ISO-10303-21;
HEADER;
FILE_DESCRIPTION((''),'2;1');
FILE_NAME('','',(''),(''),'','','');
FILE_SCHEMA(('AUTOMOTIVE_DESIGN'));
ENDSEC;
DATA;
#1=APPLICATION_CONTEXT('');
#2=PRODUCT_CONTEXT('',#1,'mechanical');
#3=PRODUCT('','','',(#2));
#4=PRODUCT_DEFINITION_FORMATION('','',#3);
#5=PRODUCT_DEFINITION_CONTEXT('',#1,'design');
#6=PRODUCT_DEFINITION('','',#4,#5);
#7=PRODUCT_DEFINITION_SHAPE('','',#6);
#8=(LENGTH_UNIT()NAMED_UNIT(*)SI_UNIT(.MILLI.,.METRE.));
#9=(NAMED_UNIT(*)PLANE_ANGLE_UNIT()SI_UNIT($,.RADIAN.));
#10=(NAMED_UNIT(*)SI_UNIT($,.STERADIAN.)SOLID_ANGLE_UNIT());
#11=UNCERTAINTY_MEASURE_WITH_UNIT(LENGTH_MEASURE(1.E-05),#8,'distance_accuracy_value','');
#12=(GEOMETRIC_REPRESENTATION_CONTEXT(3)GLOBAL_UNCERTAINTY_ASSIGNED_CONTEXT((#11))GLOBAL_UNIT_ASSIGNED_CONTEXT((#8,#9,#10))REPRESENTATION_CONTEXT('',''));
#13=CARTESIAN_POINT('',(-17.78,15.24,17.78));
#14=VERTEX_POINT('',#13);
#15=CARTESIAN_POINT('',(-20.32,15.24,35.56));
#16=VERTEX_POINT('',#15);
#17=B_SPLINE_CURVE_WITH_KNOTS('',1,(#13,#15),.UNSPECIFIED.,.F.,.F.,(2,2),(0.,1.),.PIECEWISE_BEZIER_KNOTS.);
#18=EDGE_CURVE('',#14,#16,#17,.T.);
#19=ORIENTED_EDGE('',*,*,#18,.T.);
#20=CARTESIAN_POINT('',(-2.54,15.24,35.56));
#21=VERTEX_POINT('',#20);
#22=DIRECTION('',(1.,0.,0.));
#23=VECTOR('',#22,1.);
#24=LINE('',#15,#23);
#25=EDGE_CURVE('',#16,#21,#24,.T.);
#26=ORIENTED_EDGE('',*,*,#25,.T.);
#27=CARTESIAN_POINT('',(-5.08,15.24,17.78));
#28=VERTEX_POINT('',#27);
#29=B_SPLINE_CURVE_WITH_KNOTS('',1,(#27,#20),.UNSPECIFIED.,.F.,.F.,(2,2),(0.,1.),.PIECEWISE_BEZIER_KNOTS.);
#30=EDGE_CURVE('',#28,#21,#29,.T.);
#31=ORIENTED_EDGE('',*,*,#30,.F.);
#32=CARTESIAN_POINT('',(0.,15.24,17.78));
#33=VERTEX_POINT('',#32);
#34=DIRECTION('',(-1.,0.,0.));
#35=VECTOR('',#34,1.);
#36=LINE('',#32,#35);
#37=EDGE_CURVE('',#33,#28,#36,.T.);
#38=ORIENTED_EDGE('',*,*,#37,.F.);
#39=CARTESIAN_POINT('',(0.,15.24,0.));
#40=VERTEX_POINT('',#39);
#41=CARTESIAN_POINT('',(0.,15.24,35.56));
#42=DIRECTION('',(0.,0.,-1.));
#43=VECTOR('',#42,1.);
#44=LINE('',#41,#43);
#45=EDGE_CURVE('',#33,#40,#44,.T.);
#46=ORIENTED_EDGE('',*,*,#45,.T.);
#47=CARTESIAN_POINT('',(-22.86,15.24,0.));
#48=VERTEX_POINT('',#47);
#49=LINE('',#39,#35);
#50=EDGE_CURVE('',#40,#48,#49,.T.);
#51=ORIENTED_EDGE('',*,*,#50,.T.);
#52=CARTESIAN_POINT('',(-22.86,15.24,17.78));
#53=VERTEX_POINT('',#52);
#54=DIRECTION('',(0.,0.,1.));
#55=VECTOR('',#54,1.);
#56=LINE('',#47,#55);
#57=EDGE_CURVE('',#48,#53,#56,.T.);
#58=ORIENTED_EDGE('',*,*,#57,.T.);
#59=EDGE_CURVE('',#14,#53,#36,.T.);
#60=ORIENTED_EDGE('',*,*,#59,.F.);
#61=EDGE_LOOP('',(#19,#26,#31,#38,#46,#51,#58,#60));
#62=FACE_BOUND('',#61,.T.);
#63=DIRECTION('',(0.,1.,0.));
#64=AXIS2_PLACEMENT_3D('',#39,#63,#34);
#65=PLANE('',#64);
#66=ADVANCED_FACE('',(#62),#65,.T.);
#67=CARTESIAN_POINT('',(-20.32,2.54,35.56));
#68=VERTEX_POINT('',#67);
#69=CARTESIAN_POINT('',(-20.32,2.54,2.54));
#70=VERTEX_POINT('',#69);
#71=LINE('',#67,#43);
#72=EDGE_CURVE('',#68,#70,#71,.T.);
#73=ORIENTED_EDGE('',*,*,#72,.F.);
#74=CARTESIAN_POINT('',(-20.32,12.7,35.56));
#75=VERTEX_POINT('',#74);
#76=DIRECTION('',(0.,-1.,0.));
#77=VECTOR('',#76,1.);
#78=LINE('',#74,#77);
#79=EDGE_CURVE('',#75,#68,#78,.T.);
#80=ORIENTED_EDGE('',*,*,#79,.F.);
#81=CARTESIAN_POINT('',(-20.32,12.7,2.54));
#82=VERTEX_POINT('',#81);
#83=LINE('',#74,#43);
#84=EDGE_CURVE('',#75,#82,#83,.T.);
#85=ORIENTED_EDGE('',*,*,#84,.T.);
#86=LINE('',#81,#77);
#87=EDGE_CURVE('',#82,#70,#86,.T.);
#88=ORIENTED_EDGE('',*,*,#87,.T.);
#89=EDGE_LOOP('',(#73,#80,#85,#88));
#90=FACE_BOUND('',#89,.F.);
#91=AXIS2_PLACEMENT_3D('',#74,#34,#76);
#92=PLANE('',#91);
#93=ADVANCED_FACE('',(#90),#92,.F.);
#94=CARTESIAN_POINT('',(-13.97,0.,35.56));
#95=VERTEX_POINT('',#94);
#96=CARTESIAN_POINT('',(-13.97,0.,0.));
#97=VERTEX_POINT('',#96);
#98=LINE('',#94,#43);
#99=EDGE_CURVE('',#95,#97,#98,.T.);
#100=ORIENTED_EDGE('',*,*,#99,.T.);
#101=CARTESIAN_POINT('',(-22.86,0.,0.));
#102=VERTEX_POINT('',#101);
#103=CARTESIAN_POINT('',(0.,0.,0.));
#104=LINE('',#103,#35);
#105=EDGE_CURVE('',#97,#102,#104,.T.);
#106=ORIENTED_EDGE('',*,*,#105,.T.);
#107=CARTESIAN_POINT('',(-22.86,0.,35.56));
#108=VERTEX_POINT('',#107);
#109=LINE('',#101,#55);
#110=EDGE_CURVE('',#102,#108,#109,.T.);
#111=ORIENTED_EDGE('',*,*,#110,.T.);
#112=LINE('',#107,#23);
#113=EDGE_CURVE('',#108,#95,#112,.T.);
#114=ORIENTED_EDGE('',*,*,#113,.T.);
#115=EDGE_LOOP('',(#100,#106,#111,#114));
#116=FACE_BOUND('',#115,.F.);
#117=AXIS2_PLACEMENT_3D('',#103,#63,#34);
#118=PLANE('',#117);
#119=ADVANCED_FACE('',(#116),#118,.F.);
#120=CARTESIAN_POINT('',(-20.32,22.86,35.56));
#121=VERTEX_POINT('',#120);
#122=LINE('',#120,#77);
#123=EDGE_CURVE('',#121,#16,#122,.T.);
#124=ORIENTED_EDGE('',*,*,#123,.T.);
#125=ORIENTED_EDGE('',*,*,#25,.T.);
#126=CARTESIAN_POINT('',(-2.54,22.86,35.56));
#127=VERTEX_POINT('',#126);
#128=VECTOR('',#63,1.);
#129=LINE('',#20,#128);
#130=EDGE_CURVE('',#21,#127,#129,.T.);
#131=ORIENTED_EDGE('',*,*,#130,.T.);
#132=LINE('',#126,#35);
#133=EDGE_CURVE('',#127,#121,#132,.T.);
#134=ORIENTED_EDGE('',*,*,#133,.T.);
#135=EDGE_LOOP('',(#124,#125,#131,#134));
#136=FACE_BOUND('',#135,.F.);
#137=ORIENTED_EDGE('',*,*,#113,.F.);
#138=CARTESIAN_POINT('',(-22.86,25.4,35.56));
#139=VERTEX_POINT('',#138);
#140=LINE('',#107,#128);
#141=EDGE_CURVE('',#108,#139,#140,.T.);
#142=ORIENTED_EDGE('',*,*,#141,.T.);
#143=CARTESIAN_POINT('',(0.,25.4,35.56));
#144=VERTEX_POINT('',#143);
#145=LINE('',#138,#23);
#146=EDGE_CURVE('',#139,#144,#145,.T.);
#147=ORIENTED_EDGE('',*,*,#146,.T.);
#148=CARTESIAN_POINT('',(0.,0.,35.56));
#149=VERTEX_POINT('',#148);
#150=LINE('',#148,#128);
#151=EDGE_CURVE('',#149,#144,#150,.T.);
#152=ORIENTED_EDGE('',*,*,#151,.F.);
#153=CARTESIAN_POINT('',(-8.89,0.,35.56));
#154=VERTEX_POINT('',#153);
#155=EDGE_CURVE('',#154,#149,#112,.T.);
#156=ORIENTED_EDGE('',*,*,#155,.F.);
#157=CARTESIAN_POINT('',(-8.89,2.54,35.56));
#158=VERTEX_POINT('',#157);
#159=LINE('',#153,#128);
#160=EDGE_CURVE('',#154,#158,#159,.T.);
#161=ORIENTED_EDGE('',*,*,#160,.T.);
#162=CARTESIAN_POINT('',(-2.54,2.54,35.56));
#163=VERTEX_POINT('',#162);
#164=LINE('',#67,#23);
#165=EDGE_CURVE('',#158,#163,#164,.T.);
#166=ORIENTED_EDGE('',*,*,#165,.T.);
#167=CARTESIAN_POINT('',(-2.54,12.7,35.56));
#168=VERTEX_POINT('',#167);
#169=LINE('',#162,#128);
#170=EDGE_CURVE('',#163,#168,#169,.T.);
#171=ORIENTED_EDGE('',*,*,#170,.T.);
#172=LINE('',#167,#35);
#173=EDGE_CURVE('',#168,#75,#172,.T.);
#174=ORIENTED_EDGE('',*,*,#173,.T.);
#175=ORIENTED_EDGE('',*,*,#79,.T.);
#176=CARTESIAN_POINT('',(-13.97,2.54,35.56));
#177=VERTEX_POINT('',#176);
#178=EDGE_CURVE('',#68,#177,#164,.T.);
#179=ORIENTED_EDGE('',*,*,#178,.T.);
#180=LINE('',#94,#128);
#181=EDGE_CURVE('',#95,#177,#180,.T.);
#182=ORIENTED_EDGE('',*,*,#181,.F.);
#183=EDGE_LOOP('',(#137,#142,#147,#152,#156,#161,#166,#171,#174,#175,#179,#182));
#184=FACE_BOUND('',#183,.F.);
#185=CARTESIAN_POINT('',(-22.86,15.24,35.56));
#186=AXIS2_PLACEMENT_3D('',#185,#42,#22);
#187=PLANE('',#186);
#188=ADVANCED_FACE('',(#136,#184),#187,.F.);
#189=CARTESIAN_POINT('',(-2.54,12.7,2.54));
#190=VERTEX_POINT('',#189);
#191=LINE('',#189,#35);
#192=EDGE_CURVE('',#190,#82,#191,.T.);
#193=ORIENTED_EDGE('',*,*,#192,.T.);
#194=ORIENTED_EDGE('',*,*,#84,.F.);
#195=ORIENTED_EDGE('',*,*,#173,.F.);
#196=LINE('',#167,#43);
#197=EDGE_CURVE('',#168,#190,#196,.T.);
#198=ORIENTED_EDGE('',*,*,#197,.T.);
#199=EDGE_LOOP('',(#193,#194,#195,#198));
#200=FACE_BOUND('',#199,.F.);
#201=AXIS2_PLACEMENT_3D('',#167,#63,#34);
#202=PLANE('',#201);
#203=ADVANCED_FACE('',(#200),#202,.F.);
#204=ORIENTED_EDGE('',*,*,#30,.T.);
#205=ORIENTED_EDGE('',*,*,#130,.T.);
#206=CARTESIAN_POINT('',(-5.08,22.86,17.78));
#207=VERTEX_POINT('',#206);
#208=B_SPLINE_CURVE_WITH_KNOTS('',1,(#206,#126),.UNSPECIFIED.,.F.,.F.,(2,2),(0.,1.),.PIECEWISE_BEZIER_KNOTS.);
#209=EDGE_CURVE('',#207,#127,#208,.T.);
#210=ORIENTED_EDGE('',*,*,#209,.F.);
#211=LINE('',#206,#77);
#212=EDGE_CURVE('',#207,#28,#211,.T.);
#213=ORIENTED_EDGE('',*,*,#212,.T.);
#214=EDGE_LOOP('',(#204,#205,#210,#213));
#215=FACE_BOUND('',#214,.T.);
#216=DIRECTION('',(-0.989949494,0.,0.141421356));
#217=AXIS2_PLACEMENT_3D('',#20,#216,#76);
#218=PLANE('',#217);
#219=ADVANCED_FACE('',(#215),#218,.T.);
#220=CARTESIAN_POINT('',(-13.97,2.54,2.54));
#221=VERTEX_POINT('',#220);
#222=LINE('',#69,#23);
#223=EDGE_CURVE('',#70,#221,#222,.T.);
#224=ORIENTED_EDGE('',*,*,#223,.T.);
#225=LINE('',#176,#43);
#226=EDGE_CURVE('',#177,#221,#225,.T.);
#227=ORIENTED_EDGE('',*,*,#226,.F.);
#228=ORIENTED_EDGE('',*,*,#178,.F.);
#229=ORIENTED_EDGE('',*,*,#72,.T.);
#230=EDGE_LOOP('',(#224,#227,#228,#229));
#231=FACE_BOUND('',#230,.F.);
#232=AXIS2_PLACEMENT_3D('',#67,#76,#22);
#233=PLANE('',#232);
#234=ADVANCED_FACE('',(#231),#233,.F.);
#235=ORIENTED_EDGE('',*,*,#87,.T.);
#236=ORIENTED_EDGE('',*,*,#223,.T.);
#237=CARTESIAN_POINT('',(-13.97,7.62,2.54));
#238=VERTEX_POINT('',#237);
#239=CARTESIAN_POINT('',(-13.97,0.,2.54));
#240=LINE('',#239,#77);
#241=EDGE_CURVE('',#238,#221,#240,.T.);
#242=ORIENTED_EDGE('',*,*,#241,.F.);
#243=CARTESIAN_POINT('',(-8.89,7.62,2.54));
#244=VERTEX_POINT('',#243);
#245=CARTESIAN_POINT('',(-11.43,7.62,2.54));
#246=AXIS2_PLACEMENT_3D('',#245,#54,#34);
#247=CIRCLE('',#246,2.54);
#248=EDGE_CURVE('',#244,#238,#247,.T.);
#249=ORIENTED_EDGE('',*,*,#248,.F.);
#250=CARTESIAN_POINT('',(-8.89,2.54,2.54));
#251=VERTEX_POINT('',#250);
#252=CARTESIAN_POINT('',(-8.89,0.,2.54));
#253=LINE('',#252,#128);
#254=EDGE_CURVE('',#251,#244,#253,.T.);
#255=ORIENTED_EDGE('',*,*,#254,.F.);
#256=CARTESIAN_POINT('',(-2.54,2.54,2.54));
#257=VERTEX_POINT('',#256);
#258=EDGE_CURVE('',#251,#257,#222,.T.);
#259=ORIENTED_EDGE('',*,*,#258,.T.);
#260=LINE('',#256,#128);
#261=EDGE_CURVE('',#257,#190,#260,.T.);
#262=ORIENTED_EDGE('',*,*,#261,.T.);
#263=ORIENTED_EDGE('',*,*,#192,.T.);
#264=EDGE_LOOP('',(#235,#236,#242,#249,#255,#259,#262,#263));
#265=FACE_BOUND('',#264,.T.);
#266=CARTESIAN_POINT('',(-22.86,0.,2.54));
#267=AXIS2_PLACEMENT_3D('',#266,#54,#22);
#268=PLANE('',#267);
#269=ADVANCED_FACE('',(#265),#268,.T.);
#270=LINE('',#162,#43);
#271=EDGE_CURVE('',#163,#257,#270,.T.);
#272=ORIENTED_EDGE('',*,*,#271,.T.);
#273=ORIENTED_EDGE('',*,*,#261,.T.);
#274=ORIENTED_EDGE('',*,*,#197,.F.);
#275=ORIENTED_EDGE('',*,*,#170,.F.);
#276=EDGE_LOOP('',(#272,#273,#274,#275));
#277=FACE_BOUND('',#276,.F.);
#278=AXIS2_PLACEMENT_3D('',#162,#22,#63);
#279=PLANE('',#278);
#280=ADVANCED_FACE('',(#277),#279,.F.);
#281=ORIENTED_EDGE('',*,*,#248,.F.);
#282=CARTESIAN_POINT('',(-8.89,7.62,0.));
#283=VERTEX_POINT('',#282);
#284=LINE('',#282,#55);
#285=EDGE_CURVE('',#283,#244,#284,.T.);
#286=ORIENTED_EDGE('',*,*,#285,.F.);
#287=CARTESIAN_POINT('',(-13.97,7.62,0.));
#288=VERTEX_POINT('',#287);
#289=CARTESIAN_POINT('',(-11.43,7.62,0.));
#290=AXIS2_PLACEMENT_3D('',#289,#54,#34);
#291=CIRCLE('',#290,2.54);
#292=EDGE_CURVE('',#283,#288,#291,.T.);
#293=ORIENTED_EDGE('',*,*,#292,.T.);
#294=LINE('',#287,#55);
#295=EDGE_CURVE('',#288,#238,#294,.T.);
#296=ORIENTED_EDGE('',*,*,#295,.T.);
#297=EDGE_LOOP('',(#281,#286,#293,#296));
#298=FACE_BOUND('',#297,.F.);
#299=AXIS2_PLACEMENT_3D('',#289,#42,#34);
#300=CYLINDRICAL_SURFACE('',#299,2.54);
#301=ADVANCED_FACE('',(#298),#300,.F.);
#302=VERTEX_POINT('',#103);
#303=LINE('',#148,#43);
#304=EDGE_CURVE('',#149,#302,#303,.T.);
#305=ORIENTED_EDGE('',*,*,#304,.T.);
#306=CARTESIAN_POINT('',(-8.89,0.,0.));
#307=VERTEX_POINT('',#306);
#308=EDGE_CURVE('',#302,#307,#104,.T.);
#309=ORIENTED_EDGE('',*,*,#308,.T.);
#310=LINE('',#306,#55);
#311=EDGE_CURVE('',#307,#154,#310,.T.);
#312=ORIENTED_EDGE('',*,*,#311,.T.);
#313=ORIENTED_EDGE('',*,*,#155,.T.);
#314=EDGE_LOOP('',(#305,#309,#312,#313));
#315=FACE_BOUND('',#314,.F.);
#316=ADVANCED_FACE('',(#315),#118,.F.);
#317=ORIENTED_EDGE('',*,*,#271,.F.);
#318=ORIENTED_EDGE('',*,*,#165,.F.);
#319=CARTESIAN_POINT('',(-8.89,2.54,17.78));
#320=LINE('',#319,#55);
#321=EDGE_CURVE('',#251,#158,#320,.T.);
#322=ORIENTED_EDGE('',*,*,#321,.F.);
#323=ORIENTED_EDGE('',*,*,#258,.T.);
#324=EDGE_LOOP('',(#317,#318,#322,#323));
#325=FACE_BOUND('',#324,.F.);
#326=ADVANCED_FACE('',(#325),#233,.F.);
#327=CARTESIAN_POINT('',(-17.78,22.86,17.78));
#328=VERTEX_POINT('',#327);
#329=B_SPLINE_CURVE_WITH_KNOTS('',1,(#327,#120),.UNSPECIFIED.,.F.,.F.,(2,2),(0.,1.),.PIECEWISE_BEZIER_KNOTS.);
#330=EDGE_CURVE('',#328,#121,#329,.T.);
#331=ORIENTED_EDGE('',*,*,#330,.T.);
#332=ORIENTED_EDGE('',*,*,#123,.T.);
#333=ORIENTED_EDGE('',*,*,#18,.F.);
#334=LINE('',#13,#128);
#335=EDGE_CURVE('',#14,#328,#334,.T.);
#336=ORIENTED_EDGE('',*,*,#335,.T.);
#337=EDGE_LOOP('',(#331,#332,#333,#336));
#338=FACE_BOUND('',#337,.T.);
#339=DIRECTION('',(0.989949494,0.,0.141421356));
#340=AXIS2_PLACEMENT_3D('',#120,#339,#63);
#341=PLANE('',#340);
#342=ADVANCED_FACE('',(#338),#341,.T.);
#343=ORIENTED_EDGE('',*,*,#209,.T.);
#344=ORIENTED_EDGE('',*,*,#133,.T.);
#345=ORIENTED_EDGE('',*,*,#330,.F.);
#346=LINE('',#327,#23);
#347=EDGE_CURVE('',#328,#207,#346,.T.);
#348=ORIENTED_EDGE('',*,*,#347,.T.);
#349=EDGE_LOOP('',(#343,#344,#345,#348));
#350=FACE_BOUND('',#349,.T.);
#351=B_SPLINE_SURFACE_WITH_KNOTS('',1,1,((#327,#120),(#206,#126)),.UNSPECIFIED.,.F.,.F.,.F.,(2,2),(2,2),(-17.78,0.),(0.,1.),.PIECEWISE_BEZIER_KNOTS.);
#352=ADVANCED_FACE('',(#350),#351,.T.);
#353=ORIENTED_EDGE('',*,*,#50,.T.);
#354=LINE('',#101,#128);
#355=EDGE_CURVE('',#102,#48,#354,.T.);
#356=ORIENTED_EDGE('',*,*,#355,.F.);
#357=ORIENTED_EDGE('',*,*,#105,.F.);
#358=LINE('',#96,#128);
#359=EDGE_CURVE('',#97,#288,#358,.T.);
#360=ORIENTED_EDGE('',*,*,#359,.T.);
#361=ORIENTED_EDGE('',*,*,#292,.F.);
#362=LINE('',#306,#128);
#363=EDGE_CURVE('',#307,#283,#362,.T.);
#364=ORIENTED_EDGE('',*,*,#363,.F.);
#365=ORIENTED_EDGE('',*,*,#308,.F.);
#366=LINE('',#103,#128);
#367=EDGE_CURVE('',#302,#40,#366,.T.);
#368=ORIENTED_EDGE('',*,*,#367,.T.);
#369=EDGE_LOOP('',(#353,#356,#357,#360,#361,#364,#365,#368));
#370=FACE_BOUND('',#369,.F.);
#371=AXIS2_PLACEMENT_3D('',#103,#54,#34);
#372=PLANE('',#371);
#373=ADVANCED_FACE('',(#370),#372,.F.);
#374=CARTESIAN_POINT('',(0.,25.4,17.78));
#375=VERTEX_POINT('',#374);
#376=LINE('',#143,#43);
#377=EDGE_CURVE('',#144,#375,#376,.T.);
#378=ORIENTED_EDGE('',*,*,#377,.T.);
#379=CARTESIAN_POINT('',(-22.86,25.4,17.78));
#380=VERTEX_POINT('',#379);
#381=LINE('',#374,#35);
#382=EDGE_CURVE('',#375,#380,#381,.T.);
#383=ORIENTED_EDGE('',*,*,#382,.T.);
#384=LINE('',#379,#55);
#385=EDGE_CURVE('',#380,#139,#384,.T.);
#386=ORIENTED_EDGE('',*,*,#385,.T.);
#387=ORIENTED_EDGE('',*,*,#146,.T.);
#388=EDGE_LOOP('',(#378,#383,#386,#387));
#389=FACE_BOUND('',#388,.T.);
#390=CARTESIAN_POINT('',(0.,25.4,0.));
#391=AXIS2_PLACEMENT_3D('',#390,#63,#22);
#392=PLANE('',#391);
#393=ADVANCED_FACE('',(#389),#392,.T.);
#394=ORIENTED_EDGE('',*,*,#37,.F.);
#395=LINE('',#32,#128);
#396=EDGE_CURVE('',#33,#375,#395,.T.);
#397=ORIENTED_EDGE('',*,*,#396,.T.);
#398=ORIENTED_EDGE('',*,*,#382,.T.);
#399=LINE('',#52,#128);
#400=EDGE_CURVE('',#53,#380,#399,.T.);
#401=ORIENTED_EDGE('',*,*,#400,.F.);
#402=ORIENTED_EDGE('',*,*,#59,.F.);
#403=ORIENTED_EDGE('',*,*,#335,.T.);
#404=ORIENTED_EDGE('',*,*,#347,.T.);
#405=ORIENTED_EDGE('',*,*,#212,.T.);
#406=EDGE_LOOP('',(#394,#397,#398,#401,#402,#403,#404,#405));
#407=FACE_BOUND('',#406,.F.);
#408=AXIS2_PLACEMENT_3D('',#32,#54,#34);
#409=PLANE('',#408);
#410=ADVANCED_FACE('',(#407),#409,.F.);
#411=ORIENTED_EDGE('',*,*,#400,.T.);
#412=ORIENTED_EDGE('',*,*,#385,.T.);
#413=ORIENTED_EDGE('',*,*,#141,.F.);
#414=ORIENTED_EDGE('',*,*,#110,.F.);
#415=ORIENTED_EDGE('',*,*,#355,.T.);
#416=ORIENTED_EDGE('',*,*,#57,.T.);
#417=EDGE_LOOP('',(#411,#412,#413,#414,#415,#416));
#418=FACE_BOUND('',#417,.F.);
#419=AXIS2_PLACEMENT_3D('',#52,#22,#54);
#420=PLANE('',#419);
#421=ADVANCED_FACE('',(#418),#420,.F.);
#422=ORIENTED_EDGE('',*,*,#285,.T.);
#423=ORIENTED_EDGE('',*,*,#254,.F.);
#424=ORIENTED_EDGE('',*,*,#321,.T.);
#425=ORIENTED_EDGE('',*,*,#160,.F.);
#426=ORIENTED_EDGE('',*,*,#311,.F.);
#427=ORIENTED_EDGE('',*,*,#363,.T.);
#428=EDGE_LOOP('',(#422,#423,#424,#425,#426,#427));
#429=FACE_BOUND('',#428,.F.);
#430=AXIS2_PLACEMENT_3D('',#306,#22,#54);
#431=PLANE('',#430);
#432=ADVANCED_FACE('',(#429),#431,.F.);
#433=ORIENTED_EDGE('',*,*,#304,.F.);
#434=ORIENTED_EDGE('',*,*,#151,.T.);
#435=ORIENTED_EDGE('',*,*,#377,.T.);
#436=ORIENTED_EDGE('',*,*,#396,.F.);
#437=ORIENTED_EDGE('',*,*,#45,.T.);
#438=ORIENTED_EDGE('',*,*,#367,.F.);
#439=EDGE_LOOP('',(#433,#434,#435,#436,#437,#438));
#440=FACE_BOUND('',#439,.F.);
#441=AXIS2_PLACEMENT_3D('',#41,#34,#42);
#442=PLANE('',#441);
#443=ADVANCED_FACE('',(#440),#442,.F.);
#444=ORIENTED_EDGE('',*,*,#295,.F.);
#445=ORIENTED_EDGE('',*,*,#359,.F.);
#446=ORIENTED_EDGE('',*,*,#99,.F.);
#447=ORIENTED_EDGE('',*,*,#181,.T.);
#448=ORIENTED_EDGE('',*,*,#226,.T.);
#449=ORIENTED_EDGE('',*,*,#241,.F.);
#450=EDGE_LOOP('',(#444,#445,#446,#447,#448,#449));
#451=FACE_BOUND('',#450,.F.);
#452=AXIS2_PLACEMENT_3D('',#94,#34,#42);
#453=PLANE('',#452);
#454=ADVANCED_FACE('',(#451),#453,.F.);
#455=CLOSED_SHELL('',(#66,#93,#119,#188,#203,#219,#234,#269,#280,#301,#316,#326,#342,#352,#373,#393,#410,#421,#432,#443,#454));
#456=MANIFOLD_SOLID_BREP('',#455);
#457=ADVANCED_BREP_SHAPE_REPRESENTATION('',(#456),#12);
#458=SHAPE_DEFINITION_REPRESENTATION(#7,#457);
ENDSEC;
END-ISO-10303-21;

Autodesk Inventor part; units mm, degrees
ref_plane "YZ Plane" through (0, 0, 0) normal (1, 0, 0) x (0, 1, 0)
ref_plane "XZ Plane" through (0, 0, 0) normal (0, 1, 0) x (-1, 0, 0)
ref_plane "XY Plane" through (0, 0, 0) normal (0, 0, 1) x (1, 0, 0)
sketch "Sketch1" plane through (0, 0, 0) normal (0, 1, 0) x (-1, 0, 0)
  line L0 (0, 0) -> (22.86, 0)
  line L1 (22.86, 0) -> (22.86, 35.56)
  line L2 (22.86, 35.56) -> (0, 35.56)
  line L3 (0, 35.56) -> (0, 0)
  dimension "d0" = 22.86
  dimension "d1" = 35.56
extrude "Extrusion1" add sketch "Sketch1" along normal blind 15.24
sketch "Sketch2" plane through (-22.86, 0, 35.56) normal (0, 0, 1) x (1, 0, 0)
  line L0 (2.54, 2.54) -> (20.32, 2.54)
  line L1 (20.32, 2.54) -> (20.32, 12.7)
  line L2 (20.32, 12.7) -> (2.54, 12.7)
  line L3 (2.54, 12.7) -> (2.54, 2.54)
  point P0 (0, 0)
  dimension "d6" = 17.78
  dimension "d7" = 10.16
extrude "Extrusion2" cut sketch "Sketch2" against normal blind 33.02
sketch "Sketch5" plane through (0, 15.24, 0) normal (0, 1, 0) x (1, 0, 0)
  line L0 (-22.86, -35.56) -> (0, -35.56) projected
  line L1 (0, -35.56) -> (0, 0) projected
  line L2 (-22.86, -35.56) -> (0, -35.56)
  line L3 (0, -35.56) -> (0, -17.78)
  line L4 (0, -17.78) -> (-22.86, -17.78)
  line L5 (-22.86, -17.78) -> (-22.86, -35.56)
extrude "Extrusion5" add sketch "Sketch5" along normal blind 10.16
sketch "Sketch10" plane through (-22.86, 0, 35.56) normal (0, 0, 1) x (1, 0, 0)
  line L0 (2.54, 15.24) -> (20.32, 15.24)
  line L1 (20.32, 15.24) -> (20.32, 22.86)
  line L2 (20.32, 22.86) -> (2.54, 22.86)
  line L3 (2.54, 22.86) -> (2.54, 15.24)
  line L4 (2.54, 12.7) -> (20.32, 12.7) projected
  line L5 (22.86, 0) -> (22.86, 25.4) projected
  dimension "d27" = 17.78
  dimension "d28" = 7.62
  dimension "d29" = 2.54
  dimension "d30" = 2.54
sketch "Sketch11" plane through (0, 15.24, 17.78) normal (0, 0, -1) x (-1, 0, 0)
  line L0 (17.78, 7.62) -> (5.08, 7.62)
  line L1 (5.08, 7.62) -> (5.08, 0)
  line L2 (5.08, 0) -> (17.78, 0)
  line L3 (17.78, 0) -> (17.78, 7.62)
  line L4 (0, 10.16) -> (22.86, 10.16) projected
  line L5 (22.86, 0) -> (22.86, 10.16) projected
  point P0 (0, -15.24)
  dimension "d31" = 2.54
  dimension "d33" = 5.08
  dimension "d35" = 12.7
  dimension "d36" = 7.62
loft "Loft1" cut profiles "Sketch11", "Sketch10"
sketch "Sketch12" plane through (0, 0, 0) normal (0, 0, -1) x (-1, 0, 0)
  line L0 (22.86, 0) -> (0, 0) projected
  line L1 (0, 0) -> (11.43, 0)
  line L2 (11.43, 0) -> (11.43, 7.62)
  circle A0 centre (11.43, 7.62) radius 2.54
  dimension "d41" = 11.43
  dimension "d42" = 7.62
  dimension "d43" = 5.08
extrude "Extrusion8" cut sketch "Sketch12" against normal blind 25.4
sketch "Sketch13" plane through (0, 0, 0) normal (0, -1, 0) x (1, 0, 0)
  line L0 (0, 0) -> (-8.89, 0)
  line L1 (0, 0) -> (-22.86, 0) projected
  line L2 (-22.86, 0) -> (-13.97, 0)
  line L3 (-20.32, 35.56) -> (-2.54, 35.56) projected
  line L4 (-13.97, 0) -> (-8.89, 0)
  line L5 (-8.89, 0) -> (-8.89, 35.56)
  line L6 (-8.89, 35.56) -> (-13.97, 35.56)
  line L7 (-13.97, 35.56) -> (-13.97, 0)
  dimension "d46" = 8.89
  dimension "d47" = 8.89
extrude "Extrusion9" cut sketch "Sketch13" against normal blind 7.62
properties part number "big usb cover"
